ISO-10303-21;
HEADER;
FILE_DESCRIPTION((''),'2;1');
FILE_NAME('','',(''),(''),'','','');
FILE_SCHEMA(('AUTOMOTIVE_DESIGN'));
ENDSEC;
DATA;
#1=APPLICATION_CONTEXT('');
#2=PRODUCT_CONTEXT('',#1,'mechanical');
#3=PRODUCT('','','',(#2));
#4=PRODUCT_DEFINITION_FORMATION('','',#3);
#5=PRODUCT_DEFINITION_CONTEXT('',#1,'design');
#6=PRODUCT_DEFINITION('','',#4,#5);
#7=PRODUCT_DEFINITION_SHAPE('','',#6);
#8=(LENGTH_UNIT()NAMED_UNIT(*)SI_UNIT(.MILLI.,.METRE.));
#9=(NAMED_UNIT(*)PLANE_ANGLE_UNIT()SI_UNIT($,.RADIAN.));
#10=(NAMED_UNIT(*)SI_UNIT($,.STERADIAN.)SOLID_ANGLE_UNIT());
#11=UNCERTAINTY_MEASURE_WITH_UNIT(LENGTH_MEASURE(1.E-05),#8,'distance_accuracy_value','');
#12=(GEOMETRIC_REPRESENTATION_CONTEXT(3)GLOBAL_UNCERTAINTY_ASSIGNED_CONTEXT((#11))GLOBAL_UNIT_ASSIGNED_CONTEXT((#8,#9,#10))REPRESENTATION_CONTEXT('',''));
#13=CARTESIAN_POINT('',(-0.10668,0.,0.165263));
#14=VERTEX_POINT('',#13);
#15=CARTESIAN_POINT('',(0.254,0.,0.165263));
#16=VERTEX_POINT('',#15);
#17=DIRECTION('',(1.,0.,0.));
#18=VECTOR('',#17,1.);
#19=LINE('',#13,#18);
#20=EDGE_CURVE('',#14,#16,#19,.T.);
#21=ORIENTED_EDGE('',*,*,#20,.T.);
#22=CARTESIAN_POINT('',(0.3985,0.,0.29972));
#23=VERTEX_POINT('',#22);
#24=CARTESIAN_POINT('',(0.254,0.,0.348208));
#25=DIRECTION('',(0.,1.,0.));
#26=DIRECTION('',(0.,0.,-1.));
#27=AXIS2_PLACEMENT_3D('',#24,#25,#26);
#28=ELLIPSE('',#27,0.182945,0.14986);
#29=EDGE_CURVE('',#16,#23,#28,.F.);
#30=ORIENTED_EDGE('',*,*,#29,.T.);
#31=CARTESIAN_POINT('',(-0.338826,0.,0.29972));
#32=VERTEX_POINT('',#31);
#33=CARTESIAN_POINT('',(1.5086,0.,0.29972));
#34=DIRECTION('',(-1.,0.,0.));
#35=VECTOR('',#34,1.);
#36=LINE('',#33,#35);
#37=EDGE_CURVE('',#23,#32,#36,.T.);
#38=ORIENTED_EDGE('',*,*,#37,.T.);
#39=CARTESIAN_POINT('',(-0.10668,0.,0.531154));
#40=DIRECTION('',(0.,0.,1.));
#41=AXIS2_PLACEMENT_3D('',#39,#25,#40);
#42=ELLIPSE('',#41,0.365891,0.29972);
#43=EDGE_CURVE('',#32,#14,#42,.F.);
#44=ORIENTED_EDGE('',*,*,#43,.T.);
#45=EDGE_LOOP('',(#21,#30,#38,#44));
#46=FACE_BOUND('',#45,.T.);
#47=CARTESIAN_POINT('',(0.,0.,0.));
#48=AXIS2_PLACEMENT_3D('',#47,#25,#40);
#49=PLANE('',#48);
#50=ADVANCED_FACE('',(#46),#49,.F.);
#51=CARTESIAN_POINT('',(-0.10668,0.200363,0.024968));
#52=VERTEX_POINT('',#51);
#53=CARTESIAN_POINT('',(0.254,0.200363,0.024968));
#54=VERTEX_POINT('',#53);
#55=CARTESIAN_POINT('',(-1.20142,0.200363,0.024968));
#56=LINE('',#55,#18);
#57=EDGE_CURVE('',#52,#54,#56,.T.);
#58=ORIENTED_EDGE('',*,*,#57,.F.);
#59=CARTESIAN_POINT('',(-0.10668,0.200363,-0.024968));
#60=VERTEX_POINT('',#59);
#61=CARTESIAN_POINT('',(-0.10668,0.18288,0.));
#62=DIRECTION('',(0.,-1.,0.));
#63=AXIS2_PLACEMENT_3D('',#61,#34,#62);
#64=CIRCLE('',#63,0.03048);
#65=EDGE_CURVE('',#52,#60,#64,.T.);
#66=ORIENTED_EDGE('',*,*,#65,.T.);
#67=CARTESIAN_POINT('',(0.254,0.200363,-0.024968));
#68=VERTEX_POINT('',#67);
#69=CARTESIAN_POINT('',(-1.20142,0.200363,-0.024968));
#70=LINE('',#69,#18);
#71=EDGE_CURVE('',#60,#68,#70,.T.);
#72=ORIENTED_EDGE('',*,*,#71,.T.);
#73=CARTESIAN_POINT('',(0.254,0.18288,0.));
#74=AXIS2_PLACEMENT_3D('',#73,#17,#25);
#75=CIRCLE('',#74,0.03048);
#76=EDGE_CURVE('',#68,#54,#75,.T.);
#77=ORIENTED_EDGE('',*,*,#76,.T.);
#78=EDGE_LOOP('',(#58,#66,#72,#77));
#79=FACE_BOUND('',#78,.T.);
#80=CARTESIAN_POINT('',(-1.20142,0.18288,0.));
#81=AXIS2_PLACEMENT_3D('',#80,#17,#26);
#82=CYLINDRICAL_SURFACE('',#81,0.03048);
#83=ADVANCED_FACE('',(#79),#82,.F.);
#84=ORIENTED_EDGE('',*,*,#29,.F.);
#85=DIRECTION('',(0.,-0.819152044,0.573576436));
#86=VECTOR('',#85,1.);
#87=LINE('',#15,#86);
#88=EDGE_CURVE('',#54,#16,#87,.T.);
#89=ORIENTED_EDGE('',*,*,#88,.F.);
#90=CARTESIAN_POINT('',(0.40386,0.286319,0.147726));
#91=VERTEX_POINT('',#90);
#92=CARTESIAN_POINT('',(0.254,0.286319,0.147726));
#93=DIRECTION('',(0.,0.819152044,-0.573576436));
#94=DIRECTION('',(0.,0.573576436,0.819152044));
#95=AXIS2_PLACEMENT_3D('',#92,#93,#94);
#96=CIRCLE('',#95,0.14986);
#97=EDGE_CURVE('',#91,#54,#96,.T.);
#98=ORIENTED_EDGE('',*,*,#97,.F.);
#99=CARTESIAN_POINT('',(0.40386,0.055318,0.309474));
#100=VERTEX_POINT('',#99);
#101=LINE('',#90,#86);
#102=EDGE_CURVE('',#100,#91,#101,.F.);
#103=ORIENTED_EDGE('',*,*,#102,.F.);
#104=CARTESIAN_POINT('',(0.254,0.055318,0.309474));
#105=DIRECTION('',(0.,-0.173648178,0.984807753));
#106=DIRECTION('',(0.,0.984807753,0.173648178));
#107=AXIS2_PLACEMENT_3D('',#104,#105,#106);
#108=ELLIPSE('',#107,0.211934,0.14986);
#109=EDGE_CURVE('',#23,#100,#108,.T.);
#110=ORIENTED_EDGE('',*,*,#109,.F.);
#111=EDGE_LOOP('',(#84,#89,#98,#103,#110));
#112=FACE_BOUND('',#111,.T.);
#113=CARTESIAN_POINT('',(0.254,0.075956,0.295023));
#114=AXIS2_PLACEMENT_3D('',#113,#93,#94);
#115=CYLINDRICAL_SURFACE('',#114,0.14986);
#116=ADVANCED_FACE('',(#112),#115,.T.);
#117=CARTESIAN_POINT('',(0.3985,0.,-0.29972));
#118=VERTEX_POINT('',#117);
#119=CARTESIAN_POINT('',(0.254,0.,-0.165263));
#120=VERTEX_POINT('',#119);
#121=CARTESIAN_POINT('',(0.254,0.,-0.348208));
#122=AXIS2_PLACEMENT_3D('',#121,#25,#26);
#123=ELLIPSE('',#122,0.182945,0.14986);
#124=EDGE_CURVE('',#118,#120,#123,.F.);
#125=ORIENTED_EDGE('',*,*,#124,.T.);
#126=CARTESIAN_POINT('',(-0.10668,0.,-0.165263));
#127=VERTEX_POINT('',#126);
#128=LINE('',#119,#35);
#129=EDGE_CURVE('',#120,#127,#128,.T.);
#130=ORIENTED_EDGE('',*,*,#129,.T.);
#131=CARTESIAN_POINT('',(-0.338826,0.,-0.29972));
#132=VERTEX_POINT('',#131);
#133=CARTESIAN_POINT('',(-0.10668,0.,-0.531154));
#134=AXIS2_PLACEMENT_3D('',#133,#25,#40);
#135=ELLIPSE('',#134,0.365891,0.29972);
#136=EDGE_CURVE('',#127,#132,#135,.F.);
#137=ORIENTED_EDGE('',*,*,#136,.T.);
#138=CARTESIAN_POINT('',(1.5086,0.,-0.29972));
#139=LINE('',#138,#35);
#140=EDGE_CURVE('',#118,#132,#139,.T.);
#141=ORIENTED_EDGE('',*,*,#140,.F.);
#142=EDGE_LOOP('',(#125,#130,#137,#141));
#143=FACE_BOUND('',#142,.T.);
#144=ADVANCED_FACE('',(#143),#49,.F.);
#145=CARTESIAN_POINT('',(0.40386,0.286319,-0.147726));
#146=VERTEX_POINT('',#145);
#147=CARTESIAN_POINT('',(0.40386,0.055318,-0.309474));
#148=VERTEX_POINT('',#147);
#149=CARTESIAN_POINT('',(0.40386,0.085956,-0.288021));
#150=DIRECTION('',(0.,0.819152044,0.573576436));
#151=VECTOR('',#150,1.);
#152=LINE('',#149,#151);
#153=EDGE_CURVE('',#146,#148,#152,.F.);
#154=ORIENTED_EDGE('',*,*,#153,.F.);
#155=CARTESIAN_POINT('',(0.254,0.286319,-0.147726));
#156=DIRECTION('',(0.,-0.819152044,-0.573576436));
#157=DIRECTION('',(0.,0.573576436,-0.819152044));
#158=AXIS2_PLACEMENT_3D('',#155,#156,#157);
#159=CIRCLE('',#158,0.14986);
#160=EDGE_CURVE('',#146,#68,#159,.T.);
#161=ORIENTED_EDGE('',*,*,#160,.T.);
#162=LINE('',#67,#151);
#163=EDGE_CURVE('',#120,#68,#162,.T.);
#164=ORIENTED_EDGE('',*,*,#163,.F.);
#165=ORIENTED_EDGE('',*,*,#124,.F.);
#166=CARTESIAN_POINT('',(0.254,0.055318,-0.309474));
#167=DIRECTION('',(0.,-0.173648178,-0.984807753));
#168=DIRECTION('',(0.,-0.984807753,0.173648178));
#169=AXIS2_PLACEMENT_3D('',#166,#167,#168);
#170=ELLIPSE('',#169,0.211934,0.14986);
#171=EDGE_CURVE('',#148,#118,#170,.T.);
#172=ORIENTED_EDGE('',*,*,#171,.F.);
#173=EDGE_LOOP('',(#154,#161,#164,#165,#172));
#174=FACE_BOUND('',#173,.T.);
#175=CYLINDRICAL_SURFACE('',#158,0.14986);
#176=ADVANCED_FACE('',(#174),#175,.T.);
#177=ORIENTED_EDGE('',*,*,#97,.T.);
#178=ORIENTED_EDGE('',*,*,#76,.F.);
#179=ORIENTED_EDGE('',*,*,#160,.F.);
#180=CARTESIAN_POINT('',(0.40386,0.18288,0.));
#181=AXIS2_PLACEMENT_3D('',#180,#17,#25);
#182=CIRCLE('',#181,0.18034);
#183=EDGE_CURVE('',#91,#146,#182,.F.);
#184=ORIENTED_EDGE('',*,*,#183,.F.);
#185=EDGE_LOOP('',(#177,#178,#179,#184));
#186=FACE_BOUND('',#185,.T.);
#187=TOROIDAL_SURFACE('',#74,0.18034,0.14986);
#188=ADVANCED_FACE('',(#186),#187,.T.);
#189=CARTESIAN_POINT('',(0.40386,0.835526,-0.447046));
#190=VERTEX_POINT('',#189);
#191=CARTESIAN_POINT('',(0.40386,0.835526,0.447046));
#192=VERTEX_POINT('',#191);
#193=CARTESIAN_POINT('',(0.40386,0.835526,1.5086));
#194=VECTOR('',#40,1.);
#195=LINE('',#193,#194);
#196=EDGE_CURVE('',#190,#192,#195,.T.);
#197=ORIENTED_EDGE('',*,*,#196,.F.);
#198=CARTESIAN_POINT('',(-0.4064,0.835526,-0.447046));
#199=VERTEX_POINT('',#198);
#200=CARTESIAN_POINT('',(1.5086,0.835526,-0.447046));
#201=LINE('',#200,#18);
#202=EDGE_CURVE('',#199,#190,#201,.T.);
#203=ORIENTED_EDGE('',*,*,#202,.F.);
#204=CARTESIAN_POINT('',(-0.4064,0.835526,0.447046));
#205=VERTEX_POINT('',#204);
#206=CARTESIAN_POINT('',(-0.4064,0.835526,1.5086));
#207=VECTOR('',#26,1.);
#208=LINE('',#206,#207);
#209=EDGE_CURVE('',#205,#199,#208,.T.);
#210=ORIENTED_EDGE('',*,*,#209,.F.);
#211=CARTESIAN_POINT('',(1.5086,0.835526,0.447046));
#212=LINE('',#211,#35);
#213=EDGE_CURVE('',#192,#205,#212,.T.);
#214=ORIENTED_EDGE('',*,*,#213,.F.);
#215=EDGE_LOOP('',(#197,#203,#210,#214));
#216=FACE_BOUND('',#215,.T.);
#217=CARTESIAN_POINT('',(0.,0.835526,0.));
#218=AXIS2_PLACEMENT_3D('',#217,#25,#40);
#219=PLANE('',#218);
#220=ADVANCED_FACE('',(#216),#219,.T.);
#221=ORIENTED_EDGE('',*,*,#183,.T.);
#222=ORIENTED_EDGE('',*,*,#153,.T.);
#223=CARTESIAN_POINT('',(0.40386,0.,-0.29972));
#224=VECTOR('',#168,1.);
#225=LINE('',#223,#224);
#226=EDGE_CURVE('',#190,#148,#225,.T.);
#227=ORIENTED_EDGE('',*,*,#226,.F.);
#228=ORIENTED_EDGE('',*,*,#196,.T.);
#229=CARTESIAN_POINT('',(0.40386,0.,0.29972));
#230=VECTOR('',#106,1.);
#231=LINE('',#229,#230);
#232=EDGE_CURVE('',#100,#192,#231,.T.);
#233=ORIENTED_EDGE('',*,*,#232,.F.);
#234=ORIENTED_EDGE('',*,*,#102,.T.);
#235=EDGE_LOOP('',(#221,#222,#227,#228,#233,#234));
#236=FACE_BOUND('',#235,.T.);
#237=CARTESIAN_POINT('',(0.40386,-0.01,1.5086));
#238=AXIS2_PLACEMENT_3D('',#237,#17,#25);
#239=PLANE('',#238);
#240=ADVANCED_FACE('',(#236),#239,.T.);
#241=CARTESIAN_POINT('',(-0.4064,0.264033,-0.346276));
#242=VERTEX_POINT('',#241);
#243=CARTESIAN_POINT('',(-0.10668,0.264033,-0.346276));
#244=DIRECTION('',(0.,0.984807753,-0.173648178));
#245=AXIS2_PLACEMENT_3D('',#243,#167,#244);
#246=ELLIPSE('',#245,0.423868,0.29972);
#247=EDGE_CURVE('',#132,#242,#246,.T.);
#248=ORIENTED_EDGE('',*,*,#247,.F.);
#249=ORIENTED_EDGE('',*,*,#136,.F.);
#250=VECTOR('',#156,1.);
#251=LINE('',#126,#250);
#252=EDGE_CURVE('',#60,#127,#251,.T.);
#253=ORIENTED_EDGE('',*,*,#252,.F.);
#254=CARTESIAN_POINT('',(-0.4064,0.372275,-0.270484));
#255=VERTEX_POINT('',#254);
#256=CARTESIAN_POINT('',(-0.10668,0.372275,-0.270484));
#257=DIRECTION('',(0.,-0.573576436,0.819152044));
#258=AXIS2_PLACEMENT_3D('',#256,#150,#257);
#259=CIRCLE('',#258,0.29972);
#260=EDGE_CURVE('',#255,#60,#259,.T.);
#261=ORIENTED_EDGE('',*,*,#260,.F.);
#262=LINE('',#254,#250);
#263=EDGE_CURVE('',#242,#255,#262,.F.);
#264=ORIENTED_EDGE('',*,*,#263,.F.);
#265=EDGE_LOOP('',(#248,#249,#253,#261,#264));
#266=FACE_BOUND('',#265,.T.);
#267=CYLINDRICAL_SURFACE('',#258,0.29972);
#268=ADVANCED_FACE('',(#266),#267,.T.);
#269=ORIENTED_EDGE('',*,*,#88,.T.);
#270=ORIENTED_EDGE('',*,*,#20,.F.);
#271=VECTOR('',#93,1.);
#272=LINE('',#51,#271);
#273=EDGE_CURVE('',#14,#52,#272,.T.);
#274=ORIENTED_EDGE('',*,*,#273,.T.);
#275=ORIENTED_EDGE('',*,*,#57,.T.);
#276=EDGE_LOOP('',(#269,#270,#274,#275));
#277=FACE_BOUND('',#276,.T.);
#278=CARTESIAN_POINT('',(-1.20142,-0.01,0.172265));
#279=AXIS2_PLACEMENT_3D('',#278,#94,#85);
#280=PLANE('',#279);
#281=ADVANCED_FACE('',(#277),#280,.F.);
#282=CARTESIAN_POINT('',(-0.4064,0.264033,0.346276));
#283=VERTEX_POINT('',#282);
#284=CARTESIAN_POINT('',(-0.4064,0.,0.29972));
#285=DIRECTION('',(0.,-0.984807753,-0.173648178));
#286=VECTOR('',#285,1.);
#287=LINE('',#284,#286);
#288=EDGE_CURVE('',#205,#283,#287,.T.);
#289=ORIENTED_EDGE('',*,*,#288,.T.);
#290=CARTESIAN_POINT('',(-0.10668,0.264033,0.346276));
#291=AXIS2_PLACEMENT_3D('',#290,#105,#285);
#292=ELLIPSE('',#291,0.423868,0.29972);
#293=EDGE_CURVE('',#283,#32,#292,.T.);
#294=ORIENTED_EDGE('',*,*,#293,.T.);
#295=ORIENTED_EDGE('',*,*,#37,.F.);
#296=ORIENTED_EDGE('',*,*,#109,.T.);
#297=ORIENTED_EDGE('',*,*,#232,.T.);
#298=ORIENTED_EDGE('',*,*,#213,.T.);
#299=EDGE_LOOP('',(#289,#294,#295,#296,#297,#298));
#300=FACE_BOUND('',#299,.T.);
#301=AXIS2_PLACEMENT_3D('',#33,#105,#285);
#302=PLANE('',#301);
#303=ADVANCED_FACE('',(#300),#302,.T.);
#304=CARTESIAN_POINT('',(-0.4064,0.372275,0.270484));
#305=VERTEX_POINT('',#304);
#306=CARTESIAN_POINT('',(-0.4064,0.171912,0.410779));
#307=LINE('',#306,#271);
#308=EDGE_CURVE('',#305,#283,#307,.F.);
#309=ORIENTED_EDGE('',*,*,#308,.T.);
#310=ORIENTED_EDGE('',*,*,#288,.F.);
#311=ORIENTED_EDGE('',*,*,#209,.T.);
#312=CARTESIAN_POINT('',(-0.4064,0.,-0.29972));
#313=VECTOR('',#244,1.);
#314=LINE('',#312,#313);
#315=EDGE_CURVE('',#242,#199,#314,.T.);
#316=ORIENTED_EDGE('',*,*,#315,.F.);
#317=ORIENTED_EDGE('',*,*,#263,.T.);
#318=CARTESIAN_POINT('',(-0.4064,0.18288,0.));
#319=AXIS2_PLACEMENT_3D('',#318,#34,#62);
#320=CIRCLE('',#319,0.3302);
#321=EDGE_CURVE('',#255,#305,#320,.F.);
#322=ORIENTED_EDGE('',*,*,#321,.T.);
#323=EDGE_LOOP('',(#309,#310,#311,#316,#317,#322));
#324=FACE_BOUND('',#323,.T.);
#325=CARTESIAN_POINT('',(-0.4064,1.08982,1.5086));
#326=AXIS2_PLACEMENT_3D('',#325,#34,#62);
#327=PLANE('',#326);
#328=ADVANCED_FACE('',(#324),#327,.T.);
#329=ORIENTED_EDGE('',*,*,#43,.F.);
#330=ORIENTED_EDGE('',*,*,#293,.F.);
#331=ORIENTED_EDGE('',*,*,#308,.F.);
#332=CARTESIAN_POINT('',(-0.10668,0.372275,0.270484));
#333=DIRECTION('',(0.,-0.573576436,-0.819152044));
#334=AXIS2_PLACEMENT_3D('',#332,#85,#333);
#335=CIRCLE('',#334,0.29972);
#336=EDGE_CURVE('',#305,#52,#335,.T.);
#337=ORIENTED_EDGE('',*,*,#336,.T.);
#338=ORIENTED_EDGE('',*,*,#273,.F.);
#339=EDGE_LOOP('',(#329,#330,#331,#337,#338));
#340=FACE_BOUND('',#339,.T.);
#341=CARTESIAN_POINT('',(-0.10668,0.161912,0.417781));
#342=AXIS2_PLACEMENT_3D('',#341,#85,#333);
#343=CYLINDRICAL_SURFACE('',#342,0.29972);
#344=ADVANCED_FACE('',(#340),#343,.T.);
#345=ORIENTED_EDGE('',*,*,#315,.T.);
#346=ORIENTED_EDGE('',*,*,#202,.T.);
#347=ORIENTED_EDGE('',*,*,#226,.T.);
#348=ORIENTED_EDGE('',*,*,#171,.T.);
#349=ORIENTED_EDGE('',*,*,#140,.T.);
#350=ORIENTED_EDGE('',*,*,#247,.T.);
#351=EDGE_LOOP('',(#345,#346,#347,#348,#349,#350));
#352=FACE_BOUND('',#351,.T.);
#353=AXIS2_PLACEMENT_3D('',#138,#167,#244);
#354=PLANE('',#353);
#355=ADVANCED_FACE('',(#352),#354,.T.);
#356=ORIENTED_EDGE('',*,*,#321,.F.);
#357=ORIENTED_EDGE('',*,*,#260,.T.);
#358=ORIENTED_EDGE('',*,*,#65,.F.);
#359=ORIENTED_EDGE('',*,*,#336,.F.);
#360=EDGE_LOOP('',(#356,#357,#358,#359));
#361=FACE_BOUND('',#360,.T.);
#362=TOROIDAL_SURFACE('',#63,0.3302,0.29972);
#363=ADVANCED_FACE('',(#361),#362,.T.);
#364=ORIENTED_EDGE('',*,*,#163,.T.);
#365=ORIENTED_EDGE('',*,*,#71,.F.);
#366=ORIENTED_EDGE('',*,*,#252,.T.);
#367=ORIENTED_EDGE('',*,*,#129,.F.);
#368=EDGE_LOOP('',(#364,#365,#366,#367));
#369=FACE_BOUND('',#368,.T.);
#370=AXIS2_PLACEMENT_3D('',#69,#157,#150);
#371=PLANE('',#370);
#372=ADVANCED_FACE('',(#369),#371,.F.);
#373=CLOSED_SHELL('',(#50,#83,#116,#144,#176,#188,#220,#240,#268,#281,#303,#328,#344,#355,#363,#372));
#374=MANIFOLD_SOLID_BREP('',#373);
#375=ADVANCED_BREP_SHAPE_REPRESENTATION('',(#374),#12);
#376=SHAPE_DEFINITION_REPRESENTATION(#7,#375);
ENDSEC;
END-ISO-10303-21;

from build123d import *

# Parameters (mm, degrees)
SKETCH_TL_CUTTING_R    = 1.4986
TL_CUTTING_DEPTH       = 29.999999944
SKETCH_TDF_CUTTING_W   = 3.01719996
SKETCH_TDF_CUTTING_H   = 3.01719996
TDF_CUTTING_DEPTH      = 31.074766841
VW_VR_GRINDING_DEPTH   = 1.50859998
VW_VR_GRINDING_2_DEPTH = 1.50859998
ISA_GRINDING_DEPTH     = 1.50859998
SKETCH_PRE_FRX_BRX_W   = 1.08474002
SKETCH_PRE_FRX_BRX_H   = 1.09982
SKETCH_PRE_FRX_BRX_W_2 = 1.11219996
PRE_FRX_BRX_DEPTH      = 1.50859998
FA_BA_GRINDING_DEPTH   = 1.50859998
BR_EDM_R               = 0.29972
FR_EDM_R               = 0.14986


with BuildPart() as part:
    # sketch_TL_cutting → TL_cutting (new body)
    with BuildSketch(Plane(origin=(0, 0, 0), x_dir=(1, 0, 0), z_dir=(0, 1, 0))):
        with Locations(Location((0, 0, 0), (0, 0, 270))):
            Circle(SKETCH_TL_CUTTING_R)
    extrude(amount=TL_CUTTING_DEPTH)

    # sketch_TDF_cutting → TDF_cutting (cut, through all)
    with BuildSketch(Plane(origin=(0, 0, 0), x_dir=(1, 0, 0), z_dir=(0, 1, 0))):
        with Locations((-2.71001998, 0)):
            Rectangle(SKETCH_TDF_CUTTING_W, SKETCH_TDF_CUTTING_H)
    extrude(amount=TDF_CUTTING_DEPTH, mode=Mode.SUBTRACT)


with BuildPart() as body_2:
    # sketch_VW_VR_grinding → VW_VR_grinding (new, symmetric)
    with BuildSketch(Plane(origin=(0, 0, 0), x_dir=(0, 0, -1), z_dir=(1, 0, 0))):
        with BuildLine():
            Line((-1.49360001, -0.00999998), (-1.49360001, 1.088708914))
            ThreePointArc((-1.49360001, 1.088708914), (-1.493648337, 1.089815792), (-1.493792952, 1.090914246))
            Line((-1.493792952, 1.090914246), (-1.51859996, 1.231601782))
            Line((-1.51859996, 1.231601782), (-1.50859998, -0.00999998))
            Line((-1.50859998, -0.00999998), (-1.49360001, -0.00999998))
        make_face()
    extrude(amount=VW_VR_GRINDING_DEPTH, both=True)


with BuildPart() as body_3:
    # sketch_VW_VR_grinding → VW_VR_grinding 2 (new, symmetric)
    with BuildSketch(Plane(origin=(0, 0, 0), x_dir=(0, 0, -1), z_dir=(1, 0, 0))):
        with BuildLine():
            Line((1.49360001, -0.00999998), (1.49360001, 1.088708914))
            ThreePointArc((1.49360001, 1.088708914), (1.493648337, 1.089815792), (1.493792952, 1.090914246))
            Line((1.493792952, 1.090914246), (1.51859996, 1.231601782))
            Line((1.51859996, 1.231601782), (1.50859998, -0.00999998))
            Line((1.50859998, -0.00999998), (1.49360001, -0.00999998))
        make_face()
    extrude(amount=VW_VR_GRINDING_2_DEPTH, both=True)


    add(body_2.part)  # ISA_grinding merges body 2
    # sketch_ISA_grinding → ISA_grinding (add, symmetric)
    with BuildSketch(Plane(origin=(0, 0, 0), x_dir=(0, 0, -1), z_dir=(1, 0, 0))):
        Polygon((-0.29972, 0), (0.29972, 0), (1.50859998, 6.855899053), (1.50859998, -0.02999994), (-1.50859998, -0.02999994), (-1.50859998, 6.855899053), align=None)
    extrude(amount=ISA_GRINDING_DEPTH, both=True)

    # sketch_pre_FRX_BRX → pre_FRX_BRX (add, symmetric)
    with BuildSketch(Plane.XY):
        with Locations((0.95622999, 0.53991002)):
            Rectangle(SKETCH_PRE_FRX_BRX_W, SKETCH_PRE_FRX_BRX_H)
        with Locations((-0.96249998, 0.53991002)):
            Rectangle(SKETCH_PRE_FRX_BRX_W_2, SKETCH_PRE_FRX_BRX_H)
    extrude(amount=PRE_FRX_BRX_DEPTH, both=True)

    # sketch_FA_BA_grinding → FA_BA_grinding (add, symmetric)
    with BuildSketch(Plane.XY):
        Polygon((0.40386, -0.00999998), (0.40386, 1.09982), (1.6256, 9.792951805), (1.6256, -0.00999998), align=None)
        Polygon((-0.4064, -0.00999998), (-0.4064, 1.09982), (-1.32842, 7.660333191), (-1.32842, -0.00999998), align=None)
    extrude(amount=FA_BA_GRINDING_DEPTH, both=True)


with BuildPart() as part_1:
    add(part.part)

    # B1_fix: cut body 3
    add(body_3.part, mode=Mode.SUBTRACT)

    # V-Groove_EDM: sweep along a path in sketch_contour_V-Groove
    with BuildLine(Plane.XY) as v_groove_edm_path:
        Line((-1.20142, 0.21336), (1.4986, 0.21336))
    # sketch_section_V-Groove → V-Groove_EDM (sweep, cut)
    with BuildSketch(Plane(origin=(-1.20142, 0, -1.2954), x_dir=(0, 0, -1), z_dir=(1, 0, 0))):
        with BuildLine():
            Line((-1.270432246, 0.20036261), (-1.123134775, -0.00999998))
            Line((-1.123134775, -0.00999998), (-1.467665225, -0.00999998))
            Line((-1.467665225, -0.00999998), (-1.320367754, 0.20036261))
            ThreePointArc((-1.320367754, 0.20036261), (-1.2954, 0.21336), (-1.270432246, 0.20036261))
        make_face()
    sweep(path=v_groove_edm_path.line, mode=Mode.SUBTRACT)

    # BR_EDM
    br_edm_edges = [part_1.edges().sort_by_distance(p)[0] for p in [
        (-0.4064, 0.21336, 0),
        (-0.4064, 0.100181305, -0.095115459),
        (-0.4064, 0.100181305, 0.095115459),
    ]]
    fillet(br_edm_edges, radius=BR_EDM_R)

    # FR_EDM
    fr_edm_edges = [part_1.edges().sort_by_distance(p)[0] for p in [
        (0.40386, 0.100181305, -0.095115459),
        (0.40386, 0.100181305, 0.095115459),
        (0.40386, 0.21336, 0),
    ]]
    fillet(fr_edm_edges, radius=FR_EDM_R)

    # SurfaceCut1
    split(bisect_by=Plane(origin=(0, 0.835526316, 0), x_dir=(1, 0, 0), z_dir=(0, 1, 0)), keep=Keep.BOTTOM)


solid = part_1.part
